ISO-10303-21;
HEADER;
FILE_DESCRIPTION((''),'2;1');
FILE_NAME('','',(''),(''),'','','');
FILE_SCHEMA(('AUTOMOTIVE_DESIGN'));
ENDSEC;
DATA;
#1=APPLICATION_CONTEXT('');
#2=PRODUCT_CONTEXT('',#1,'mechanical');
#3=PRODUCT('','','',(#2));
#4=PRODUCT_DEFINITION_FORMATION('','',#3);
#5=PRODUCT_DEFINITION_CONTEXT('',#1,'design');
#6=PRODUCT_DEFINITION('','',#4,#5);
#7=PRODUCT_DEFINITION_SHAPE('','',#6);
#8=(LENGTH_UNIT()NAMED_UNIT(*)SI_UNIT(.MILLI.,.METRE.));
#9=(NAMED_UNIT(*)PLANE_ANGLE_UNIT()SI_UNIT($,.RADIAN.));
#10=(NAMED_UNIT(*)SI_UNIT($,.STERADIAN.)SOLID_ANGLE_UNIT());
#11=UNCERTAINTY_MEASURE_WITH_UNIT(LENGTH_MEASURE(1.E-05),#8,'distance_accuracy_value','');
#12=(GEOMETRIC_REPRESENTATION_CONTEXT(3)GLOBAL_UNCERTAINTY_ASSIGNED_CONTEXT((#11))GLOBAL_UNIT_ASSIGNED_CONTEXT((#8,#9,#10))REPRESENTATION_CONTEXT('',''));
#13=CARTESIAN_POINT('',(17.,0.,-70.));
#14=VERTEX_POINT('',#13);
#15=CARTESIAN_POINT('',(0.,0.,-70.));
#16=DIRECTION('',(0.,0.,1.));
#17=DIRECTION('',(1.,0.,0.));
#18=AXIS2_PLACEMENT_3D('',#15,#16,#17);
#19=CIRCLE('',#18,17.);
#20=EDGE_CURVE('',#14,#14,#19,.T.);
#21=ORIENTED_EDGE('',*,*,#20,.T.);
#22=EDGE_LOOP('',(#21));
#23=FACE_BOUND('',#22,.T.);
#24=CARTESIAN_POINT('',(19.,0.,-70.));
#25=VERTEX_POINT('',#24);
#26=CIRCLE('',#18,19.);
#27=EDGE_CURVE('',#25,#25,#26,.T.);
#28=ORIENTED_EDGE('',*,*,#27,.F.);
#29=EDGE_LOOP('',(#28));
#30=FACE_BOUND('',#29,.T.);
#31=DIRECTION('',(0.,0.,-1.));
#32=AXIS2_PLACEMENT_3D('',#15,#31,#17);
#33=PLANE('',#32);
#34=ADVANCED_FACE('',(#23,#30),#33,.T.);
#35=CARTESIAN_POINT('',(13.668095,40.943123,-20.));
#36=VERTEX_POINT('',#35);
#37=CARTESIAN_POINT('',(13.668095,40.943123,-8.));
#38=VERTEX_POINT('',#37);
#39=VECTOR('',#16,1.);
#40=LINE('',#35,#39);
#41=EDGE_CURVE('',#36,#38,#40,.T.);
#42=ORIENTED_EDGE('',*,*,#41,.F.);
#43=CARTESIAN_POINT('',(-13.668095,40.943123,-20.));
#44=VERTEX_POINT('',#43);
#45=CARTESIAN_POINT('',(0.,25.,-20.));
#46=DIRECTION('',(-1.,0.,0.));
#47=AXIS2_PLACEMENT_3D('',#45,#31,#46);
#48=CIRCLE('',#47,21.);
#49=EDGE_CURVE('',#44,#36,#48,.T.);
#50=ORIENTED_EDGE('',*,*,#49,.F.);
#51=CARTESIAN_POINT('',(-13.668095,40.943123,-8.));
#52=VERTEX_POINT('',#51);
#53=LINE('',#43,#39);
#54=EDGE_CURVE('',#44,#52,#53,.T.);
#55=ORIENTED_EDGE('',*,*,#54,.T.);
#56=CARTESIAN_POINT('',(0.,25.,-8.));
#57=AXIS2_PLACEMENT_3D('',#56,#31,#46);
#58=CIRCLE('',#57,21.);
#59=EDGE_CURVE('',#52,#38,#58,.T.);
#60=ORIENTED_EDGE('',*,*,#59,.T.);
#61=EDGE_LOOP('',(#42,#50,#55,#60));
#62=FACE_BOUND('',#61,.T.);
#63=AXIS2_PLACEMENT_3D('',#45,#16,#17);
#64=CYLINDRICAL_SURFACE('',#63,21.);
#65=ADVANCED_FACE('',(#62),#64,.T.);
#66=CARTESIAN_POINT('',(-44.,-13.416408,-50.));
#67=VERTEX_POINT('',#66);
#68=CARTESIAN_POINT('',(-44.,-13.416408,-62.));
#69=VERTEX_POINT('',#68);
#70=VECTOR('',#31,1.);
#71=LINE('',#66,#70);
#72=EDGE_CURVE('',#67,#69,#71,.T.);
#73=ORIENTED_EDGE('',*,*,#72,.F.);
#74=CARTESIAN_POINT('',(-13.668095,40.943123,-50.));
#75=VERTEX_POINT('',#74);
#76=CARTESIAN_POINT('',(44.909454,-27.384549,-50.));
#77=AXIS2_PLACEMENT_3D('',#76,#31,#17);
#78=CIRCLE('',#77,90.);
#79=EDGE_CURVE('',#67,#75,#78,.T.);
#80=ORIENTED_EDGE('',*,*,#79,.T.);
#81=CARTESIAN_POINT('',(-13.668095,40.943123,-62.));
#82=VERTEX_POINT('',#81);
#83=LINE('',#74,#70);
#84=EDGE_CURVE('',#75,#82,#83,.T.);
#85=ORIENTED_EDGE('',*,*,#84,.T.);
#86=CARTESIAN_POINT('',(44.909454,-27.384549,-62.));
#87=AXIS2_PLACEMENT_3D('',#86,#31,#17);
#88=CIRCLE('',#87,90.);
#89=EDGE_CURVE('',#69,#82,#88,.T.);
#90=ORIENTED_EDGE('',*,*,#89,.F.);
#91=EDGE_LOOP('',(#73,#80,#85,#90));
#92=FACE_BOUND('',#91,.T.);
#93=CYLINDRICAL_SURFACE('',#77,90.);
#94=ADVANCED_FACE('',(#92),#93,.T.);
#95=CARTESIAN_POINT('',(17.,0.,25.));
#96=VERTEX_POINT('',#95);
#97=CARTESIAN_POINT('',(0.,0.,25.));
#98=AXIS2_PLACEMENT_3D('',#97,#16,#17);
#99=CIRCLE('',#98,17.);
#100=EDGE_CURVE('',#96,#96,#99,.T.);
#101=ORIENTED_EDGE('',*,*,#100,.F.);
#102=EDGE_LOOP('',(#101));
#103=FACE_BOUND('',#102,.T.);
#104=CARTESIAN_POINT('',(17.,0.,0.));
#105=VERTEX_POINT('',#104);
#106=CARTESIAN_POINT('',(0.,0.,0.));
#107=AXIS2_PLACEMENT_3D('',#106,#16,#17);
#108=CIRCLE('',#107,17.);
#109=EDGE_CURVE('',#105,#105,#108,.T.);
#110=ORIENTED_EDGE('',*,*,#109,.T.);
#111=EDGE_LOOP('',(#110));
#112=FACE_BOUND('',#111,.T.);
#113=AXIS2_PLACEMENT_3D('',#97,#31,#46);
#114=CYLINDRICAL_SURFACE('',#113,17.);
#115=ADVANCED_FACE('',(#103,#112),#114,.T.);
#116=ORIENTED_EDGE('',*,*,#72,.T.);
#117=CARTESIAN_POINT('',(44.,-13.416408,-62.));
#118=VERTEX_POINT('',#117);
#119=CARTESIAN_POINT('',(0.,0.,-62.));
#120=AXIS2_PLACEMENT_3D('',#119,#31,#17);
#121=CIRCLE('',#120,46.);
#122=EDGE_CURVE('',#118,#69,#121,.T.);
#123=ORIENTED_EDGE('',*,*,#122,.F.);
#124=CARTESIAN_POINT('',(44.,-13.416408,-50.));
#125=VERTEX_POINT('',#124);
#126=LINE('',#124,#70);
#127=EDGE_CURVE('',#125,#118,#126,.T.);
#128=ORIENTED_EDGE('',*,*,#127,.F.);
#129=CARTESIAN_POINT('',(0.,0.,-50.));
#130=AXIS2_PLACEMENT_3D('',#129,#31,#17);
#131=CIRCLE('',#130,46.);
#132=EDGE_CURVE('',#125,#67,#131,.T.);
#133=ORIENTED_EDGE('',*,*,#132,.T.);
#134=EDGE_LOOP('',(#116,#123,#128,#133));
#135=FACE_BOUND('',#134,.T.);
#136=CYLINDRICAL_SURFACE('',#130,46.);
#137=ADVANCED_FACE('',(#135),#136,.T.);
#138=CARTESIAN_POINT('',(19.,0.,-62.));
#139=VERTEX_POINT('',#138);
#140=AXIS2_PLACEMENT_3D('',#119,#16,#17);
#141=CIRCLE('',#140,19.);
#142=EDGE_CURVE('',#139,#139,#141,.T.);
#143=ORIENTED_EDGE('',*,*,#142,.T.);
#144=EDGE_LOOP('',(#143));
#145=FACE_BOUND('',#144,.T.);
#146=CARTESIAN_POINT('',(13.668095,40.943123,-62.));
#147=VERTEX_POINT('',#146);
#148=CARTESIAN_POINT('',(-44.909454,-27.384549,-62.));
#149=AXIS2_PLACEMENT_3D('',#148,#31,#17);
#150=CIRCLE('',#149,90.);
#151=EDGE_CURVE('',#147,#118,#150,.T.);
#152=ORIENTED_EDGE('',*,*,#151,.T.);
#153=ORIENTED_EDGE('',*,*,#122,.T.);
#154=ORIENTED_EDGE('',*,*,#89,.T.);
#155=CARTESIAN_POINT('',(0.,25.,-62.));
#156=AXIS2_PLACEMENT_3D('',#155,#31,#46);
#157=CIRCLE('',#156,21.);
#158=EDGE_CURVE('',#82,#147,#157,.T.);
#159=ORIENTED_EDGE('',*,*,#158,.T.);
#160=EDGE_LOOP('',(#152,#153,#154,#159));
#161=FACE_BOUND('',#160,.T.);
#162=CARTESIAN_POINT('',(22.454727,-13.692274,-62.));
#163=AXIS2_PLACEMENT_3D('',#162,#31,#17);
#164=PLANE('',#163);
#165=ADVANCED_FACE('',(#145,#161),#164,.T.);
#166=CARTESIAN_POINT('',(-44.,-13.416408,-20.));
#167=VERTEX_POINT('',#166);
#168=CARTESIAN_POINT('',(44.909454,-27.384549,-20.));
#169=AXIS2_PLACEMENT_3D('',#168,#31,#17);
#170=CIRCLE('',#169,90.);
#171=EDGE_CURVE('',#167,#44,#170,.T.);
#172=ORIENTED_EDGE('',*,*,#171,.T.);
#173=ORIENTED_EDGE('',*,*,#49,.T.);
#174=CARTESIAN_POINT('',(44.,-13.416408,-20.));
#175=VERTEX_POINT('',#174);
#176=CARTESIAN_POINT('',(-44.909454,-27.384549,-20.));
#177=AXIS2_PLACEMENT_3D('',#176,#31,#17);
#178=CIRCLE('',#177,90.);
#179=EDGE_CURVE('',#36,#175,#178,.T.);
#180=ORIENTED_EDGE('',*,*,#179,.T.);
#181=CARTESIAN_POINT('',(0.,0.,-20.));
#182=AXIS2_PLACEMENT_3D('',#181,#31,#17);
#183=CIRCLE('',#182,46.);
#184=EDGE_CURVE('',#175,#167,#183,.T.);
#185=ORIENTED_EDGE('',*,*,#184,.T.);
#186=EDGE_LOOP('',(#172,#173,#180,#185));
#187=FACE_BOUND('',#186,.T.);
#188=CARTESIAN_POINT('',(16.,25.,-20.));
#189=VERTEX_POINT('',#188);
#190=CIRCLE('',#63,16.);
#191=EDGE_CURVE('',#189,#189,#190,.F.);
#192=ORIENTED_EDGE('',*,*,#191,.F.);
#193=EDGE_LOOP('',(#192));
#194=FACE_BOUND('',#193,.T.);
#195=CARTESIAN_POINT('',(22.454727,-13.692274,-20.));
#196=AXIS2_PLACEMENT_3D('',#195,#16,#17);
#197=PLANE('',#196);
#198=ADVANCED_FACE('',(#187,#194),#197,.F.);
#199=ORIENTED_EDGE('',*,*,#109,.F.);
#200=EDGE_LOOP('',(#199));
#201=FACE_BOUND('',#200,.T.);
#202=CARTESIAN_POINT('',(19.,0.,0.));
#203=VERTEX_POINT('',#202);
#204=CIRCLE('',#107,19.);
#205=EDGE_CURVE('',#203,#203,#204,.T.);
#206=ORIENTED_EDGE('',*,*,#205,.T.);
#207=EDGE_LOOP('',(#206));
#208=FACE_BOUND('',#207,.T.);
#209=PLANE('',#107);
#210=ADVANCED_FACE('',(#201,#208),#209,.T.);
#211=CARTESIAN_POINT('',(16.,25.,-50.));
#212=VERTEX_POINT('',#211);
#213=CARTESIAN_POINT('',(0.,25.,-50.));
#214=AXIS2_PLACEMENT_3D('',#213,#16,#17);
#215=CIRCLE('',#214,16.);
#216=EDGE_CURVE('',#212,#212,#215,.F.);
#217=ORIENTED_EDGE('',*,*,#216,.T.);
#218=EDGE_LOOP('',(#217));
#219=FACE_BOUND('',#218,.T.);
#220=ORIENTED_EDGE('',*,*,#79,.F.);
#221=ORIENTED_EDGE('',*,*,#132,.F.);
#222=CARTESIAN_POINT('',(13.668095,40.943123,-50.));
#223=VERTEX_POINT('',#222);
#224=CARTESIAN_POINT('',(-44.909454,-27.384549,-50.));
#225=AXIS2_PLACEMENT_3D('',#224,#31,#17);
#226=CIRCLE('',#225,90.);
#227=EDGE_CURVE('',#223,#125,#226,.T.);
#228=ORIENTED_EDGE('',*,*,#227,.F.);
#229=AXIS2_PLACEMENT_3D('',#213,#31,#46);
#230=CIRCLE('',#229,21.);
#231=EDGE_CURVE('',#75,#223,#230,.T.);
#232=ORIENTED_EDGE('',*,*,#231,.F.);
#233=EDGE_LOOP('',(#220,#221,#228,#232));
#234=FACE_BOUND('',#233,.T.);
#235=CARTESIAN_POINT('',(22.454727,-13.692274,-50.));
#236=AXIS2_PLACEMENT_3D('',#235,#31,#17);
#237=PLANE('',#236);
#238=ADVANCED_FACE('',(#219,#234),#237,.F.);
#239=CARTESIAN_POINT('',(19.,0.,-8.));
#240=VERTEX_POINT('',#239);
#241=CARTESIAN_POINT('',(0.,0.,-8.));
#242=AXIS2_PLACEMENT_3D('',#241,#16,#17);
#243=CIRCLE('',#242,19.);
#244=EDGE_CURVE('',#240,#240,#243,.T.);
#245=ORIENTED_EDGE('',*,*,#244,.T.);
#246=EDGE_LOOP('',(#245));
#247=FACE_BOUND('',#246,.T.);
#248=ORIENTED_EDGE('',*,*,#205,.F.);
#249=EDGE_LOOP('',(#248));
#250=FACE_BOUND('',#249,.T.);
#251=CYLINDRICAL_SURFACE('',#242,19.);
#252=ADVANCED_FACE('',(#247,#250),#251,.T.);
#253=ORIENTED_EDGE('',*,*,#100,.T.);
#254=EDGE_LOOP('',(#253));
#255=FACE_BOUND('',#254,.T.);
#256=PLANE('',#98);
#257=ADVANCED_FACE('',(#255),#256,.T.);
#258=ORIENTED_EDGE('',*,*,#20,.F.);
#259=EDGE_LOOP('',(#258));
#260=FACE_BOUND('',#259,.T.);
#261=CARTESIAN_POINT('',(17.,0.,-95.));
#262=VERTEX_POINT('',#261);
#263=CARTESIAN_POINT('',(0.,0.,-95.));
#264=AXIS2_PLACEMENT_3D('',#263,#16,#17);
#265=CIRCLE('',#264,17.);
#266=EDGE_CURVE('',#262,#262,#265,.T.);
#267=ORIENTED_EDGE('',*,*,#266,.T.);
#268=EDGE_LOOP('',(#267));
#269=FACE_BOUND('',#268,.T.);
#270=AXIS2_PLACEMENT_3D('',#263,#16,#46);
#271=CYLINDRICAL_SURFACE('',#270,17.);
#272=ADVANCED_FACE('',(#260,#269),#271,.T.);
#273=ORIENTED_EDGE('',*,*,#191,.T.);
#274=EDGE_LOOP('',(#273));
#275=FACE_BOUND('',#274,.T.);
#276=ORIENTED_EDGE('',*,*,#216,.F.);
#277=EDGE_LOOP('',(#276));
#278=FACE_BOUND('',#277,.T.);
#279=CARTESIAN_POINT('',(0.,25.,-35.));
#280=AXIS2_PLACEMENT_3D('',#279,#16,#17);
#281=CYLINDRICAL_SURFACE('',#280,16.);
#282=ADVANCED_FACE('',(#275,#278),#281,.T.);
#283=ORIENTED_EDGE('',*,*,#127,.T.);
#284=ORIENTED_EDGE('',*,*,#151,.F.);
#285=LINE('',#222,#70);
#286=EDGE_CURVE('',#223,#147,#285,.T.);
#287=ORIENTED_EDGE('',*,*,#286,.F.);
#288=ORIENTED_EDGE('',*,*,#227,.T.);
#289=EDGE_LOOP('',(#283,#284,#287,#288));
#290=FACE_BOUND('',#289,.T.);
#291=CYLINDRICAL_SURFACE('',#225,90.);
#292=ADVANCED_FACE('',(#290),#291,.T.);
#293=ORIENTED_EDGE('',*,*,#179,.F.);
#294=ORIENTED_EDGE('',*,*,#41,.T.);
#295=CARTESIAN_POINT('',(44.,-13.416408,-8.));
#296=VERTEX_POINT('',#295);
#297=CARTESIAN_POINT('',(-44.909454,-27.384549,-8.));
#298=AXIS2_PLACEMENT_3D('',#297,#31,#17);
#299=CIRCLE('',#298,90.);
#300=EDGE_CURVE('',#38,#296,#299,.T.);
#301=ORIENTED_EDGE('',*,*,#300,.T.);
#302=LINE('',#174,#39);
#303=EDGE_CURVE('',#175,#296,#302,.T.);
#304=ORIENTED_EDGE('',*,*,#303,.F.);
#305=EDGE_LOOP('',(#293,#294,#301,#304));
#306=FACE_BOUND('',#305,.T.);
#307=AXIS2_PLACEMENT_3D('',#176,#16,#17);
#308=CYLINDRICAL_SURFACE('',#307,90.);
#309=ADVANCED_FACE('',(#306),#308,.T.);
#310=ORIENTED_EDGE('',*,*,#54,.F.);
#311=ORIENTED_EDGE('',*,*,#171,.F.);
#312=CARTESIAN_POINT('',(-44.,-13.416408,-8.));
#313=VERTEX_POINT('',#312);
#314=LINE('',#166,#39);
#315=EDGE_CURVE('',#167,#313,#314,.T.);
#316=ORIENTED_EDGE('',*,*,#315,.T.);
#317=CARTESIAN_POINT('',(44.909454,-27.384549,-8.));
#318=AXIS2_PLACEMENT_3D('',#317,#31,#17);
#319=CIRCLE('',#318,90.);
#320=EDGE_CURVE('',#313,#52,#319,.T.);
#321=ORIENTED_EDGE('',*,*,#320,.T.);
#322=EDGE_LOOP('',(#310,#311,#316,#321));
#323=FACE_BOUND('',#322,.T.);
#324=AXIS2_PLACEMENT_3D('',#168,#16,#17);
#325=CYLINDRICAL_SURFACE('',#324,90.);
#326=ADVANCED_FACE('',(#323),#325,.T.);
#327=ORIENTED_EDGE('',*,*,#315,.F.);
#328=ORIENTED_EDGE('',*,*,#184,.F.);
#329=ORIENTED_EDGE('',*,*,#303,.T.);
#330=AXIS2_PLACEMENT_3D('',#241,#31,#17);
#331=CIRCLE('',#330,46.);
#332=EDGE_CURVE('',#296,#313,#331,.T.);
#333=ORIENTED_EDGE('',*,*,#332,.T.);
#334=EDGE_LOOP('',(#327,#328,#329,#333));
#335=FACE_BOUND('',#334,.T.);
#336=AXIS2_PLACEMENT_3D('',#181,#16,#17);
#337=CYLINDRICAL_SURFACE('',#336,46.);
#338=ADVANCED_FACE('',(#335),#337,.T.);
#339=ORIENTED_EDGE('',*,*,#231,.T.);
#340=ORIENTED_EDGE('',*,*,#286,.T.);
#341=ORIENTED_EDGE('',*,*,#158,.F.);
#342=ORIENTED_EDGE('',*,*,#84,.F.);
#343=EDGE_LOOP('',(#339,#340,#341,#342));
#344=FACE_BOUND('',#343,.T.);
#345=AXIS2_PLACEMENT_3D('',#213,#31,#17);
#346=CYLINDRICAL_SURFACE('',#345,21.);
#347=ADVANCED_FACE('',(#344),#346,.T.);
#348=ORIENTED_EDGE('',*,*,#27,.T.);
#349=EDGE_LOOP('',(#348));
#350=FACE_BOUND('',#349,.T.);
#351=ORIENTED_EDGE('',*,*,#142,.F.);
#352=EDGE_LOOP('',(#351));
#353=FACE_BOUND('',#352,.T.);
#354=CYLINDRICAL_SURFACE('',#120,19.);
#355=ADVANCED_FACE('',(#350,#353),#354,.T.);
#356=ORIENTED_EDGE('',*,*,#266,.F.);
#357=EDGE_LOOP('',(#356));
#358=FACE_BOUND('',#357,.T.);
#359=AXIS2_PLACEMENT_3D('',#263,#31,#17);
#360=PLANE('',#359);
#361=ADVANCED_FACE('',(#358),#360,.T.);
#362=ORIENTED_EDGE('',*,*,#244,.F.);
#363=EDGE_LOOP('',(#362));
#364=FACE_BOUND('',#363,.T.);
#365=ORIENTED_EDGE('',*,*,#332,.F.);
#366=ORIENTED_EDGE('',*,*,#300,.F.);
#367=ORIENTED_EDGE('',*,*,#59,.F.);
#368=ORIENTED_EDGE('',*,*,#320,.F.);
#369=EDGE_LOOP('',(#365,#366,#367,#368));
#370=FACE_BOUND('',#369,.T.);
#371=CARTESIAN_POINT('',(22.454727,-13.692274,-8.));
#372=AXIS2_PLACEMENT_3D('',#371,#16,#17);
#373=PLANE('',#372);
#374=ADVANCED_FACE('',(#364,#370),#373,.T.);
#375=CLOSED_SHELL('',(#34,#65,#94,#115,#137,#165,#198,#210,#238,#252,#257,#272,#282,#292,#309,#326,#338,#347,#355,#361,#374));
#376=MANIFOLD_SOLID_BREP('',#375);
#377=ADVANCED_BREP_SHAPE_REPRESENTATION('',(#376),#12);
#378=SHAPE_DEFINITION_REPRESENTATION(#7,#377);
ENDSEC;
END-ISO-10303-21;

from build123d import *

# Parameters (mm, degrees)
SKETCH1_R           = 17
BOSS_EXTRUDE1_DEPTH = 25
SKETCH2_R           = 19
BOSS_EXTRUDE2_DEPTH = 8
BOSS_EXTRUDE3_DEPTH = 12
SKETCH6_R           = 16
BOSS_EXTRUDE4_DEPTH = 15


with BuildPart() as part:
    # Sketch1 → Boss-Extrude1 (new body)
    with BuildSketch(Plane.XY):
        Circle(SKETCH1_R)
    extrude(amount=BOSS_EXTRUDE1_DEPTH)

    # Sketch2 → Boss-Extrude2 (add)
    with BuildSketch(Plane.XY):
        Circle(SKETCH2_R)
    extrude(amount=-BOSS_EXTRUDE2_DEPTH)

    # Sketch5 → Boss-Extrude3 (add)
    with BuildSketch(Plane(origin=(0, 0, -8), x_dir=(-1, 0, 0), z_dir=(0, 0, -1))):
        with BuildLine():
            ThreePointArc((44, -13.416407865), (0, -46), (-44, -13.416407865))
            ThreePointArc((-44, -13.416407865), (-33.683444249, 16.469257624), (-13.668094758, 40.943123461))
            ThreePointArc((-13.668094758, 40.943123461), (0, 46), (13.668094758, 40.943123461))
            ThreePointArc((13.668094758, 40.943123461), (33.683444249, 16.469257624), (44, -13.416407865))
        make_face()
    extrude(amount=BOSS_EXTRUDE3_DEPTH)

    # Sketch6 → Boss-Extrude4 (add)
    with BuildSketch(Plane(origin=(0, 0, -20), x_dir=(-1, 0, 0), z_dir=(0, 0, -1))):
        with Locations((0, 25)):
            Circle(SKETCH6_R)
    extrude(amount=BOSS_EXTRUDE4_DEPTH)

    # Mirror2: part across plane


with BuildPart() as part_1:
    add(part.part)
    add(part.part.mirror(Plane(origin=(0, 25, -35), x_dir=(1, 0, 0), z_dir=(0, 0, -1))))


solid = part_1.part
